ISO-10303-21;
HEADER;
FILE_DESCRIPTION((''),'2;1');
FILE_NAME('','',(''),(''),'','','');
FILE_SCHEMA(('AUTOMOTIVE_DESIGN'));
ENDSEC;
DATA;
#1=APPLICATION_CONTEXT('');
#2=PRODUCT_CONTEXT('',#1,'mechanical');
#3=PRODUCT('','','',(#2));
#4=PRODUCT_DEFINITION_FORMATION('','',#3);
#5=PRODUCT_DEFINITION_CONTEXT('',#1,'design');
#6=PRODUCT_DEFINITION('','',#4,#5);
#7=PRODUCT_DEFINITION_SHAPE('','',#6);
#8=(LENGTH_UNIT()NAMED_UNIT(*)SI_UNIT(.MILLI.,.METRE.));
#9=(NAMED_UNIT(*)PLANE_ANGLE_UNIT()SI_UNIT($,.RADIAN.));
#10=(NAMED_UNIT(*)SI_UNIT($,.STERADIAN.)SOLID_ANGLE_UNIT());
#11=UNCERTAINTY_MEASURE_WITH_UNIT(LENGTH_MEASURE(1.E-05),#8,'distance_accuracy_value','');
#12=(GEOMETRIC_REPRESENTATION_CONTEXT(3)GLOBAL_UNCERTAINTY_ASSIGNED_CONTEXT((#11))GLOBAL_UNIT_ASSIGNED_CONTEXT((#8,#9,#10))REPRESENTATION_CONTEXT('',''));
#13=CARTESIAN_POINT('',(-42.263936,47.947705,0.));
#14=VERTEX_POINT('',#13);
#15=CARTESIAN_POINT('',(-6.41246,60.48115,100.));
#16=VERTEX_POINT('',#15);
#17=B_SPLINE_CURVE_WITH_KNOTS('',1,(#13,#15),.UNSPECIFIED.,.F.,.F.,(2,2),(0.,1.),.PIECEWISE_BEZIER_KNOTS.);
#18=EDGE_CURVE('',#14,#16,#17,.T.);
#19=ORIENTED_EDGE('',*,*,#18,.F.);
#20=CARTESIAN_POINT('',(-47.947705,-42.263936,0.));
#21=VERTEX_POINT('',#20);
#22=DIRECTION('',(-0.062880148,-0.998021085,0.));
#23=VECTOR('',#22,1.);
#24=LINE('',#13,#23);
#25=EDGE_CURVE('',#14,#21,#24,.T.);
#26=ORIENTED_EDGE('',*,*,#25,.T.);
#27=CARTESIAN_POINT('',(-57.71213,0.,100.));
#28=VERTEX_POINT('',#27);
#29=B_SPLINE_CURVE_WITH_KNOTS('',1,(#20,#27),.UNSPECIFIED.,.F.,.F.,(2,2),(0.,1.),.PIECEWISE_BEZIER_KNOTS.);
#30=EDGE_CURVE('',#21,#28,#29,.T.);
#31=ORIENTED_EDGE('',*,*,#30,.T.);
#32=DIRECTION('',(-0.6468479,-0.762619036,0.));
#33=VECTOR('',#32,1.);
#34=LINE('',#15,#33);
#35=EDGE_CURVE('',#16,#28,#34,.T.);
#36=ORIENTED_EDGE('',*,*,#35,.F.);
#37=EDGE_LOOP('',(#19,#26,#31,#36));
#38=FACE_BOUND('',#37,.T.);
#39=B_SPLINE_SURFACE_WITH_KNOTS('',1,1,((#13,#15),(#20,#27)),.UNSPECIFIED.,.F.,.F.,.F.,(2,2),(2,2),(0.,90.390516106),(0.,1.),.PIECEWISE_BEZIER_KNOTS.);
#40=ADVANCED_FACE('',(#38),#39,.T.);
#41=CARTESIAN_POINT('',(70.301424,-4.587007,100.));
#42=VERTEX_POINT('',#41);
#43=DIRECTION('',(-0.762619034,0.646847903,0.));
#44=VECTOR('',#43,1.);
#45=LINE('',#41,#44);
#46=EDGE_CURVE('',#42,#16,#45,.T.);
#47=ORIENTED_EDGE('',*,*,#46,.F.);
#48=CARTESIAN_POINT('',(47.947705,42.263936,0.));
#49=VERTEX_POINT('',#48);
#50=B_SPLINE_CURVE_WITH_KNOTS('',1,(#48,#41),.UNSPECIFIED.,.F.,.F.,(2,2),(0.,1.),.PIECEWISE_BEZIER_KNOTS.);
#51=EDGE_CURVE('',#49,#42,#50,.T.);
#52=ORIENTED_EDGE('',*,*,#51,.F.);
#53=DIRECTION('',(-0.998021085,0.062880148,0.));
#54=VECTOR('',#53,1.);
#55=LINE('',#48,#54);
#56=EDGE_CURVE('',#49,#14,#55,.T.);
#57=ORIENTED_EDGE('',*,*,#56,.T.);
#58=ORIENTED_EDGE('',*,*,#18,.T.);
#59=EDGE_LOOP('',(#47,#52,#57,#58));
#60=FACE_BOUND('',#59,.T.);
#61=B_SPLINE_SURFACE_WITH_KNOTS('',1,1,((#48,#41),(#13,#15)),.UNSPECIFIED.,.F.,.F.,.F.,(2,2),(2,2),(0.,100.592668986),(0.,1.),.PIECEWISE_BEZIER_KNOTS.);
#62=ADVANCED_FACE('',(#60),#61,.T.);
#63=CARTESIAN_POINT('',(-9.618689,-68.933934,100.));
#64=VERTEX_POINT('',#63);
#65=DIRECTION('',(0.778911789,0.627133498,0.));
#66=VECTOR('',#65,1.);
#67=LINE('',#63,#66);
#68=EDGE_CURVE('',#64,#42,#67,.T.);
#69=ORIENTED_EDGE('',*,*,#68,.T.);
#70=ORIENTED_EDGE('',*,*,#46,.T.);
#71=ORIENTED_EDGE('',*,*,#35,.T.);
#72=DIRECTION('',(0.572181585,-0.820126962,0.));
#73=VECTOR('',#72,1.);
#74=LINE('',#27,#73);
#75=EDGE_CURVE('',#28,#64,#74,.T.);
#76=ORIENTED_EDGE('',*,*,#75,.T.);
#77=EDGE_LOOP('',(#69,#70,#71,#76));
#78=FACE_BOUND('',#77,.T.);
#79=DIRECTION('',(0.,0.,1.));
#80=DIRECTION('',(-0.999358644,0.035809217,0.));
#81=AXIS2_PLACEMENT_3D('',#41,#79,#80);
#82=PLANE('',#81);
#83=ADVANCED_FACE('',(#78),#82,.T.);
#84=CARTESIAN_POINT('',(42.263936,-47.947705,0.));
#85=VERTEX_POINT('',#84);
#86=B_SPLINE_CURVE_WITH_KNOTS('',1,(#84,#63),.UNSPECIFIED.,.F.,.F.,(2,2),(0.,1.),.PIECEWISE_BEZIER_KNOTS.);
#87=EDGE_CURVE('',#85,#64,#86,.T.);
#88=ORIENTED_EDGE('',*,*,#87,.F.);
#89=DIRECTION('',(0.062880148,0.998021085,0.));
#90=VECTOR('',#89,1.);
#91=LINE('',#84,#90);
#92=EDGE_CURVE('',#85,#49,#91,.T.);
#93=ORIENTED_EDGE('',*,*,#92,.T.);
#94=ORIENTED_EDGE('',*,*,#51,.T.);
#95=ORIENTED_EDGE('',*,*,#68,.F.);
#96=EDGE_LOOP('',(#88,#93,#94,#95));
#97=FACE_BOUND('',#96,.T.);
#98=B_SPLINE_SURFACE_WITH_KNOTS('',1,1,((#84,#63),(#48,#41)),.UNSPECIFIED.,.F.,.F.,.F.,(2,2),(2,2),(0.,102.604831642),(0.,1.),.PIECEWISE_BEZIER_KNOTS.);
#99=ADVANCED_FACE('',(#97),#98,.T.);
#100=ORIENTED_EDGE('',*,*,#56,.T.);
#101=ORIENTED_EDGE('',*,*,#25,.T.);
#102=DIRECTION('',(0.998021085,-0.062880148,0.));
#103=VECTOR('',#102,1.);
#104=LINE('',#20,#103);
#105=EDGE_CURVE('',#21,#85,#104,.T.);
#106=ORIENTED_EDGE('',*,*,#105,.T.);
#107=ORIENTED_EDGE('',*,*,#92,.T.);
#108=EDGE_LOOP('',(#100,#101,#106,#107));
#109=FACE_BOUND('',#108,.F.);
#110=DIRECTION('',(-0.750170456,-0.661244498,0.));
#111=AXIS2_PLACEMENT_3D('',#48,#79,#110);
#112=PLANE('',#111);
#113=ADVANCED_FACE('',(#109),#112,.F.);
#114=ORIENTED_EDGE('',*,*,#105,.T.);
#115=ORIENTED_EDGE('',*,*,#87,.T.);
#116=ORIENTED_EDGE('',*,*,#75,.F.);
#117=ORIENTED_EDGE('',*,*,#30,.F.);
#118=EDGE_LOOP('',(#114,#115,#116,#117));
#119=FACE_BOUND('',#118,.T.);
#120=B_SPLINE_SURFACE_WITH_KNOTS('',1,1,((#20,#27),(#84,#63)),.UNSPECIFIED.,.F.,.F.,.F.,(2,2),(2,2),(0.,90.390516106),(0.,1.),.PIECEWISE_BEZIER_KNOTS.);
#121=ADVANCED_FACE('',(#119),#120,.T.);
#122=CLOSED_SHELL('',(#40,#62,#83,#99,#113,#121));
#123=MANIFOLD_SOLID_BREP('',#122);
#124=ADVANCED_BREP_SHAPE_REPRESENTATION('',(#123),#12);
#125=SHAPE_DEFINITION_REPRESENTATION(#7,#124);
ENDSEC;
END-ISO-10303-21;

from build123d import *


with BuildPart() as f3:
    # F0 (on Top) → F3 section 0
    with BuildSketch(Plane.XY):
        Polygon((47.947705, 42.263936), (-42.263936, 47.947705), (-47.947705, -42.263936), (42.263936, -47.947705), align=None)
    # F2 (on offset) → F3 section 1
    with BuildSketch(Plane.XY.offset(100)):
        Polygon((-6.41246, 60.48115), (-57.71213, 0), (-9.618689, -68.933934), (70.301424, -4.587007), align=None)
    loft()


solid = f3.part
